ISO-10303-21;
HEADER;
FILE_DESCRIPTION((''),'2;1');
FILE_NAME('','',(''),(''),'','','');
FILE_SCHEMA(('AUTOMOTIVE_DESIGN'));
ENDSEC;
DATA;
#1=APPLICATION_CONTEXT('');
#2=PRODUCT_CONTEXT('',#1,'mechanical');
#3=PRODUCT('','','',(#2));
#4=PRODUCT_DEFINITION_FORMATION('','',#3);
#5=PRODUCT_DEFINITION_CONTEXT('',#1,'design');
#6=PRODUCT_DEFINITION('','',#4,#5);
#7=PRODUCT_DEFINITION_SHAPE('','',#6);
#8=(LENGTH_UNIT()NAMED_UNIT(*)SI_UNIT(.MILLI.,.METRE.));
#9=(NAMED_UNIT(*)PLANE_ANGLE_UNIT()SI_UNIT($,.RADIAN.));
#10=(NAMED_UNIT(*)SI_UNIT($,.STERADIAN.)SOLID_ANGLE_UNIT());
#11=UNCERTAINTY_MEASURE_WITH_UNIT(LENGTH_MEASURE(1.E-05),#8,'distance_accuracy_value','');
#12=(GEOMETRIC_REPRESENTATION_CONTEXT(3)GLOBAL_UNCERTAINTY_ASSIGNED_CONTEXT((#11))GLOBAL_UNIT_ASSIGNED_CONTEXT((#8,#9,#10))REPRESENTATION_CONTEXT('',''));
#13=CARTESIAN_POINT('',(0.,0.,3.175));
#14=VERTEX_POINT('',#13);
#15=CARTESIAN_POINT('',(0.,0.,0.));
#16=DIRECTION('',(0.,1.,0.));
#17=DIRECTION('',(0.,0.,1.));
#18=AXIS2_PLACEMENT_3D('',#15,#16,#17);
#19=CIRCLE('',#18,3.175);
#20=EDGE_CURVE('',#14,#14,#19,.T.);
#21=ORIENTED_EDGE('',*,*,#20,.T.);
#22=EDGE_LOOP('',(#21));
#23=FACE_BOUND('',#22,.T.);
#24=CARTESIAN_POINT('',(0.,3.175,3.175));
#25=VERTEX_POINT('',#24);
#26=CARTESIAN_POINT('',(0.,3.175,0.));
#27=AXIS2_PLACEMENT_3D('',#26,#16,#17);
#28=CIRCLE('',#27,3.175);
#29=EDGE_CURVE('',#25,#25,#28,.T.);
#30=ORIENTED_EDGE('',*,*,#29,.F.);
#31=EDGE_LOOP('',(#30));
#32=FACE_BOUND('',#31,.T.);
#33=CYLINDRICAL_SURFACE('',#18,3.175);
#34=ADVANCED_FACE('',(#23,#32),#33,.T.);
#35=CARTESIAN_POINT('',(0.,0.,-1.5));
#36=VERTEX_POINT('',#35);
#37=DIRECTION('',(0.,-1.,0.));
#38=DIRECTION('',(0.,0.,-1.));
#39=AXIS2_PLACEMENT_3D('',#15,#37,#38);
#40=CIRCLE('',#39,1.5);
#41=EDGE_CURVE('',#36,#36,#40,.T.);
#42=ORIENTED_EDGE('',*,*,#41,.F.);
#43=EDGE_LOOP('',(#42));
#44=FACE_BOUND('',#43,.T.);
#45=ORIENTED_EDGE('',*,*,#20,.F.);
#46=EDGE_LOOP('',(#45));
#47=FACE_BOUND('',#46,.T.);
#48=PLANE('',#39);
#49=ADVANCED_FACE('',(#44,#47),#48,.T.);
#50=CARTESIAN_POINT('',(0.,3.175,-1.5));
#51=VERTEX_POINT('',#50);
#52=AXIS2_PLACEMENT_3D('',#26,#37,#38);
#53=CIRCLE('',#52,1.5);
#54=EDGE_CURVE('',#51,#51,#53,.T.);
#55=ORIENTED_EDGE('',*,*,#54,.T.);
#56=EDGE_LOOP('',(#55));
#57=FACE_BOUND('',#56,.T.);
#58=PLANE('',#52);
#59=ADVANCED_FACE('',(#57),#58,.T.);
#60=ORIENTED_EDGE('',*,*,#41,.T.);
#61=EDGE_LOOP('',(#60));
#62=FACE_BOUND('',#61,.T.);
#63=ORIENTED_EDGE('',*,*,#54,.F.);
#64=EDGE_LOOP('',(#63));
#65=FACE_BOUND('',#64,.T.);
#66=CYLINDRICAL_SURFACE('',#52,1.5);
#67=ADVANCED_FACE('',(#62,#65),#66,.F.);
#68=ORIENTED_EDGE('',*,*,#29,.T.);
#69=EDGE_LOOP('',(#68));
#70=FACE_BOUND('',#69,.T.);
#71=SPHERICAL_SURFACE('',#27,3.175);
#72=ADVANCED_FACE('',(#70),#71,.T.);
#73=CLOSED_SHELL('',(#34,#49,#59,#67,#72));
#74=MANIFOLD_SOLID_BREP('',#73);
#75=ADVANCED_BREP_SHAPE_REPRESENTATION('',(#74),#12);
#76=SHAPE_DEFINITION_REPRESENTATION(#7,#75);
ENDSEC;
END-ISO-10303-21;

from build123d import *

# Parameters (mm, degrees)
SKETCH2_R          = 1.5
CUT_EXTRUDE1_DEPTH = 3.175


with BuildPart() as part:
    # Sketch1 → Revolve2 (revolve)
    with BuildSketch(Plane(origin=(0, 0, 0), x_dir=(0, 0, -1), z_dir=(1, 0, 0))):
        with BuildLine():
            Line((0, 0), (-3.175, 0))
            Line((-3.175, 0), (-3.175, 3.175))
            ThreePointArc((-3.175, 3.175), (-2.24506403, 5.42006403), (0, 6.35))
            Line((0, 6.35), (0, 0))
        make_face()
    revolve(axis=Axis((0, 0, 0), (0, -1, 0)))

    # Sketch2 → Cut-Extrude1 (cut)
    with BuildSketch(Plane.XZ):
        with Locations(Location((0, 0, 0), (0, 0, 270))):
            Circle(SKETCH2_R)
    extrude(amount=-CUT_EXTRUDE1_DEPTH, mode=Mode.SUBTRACT)


solid = part.part
